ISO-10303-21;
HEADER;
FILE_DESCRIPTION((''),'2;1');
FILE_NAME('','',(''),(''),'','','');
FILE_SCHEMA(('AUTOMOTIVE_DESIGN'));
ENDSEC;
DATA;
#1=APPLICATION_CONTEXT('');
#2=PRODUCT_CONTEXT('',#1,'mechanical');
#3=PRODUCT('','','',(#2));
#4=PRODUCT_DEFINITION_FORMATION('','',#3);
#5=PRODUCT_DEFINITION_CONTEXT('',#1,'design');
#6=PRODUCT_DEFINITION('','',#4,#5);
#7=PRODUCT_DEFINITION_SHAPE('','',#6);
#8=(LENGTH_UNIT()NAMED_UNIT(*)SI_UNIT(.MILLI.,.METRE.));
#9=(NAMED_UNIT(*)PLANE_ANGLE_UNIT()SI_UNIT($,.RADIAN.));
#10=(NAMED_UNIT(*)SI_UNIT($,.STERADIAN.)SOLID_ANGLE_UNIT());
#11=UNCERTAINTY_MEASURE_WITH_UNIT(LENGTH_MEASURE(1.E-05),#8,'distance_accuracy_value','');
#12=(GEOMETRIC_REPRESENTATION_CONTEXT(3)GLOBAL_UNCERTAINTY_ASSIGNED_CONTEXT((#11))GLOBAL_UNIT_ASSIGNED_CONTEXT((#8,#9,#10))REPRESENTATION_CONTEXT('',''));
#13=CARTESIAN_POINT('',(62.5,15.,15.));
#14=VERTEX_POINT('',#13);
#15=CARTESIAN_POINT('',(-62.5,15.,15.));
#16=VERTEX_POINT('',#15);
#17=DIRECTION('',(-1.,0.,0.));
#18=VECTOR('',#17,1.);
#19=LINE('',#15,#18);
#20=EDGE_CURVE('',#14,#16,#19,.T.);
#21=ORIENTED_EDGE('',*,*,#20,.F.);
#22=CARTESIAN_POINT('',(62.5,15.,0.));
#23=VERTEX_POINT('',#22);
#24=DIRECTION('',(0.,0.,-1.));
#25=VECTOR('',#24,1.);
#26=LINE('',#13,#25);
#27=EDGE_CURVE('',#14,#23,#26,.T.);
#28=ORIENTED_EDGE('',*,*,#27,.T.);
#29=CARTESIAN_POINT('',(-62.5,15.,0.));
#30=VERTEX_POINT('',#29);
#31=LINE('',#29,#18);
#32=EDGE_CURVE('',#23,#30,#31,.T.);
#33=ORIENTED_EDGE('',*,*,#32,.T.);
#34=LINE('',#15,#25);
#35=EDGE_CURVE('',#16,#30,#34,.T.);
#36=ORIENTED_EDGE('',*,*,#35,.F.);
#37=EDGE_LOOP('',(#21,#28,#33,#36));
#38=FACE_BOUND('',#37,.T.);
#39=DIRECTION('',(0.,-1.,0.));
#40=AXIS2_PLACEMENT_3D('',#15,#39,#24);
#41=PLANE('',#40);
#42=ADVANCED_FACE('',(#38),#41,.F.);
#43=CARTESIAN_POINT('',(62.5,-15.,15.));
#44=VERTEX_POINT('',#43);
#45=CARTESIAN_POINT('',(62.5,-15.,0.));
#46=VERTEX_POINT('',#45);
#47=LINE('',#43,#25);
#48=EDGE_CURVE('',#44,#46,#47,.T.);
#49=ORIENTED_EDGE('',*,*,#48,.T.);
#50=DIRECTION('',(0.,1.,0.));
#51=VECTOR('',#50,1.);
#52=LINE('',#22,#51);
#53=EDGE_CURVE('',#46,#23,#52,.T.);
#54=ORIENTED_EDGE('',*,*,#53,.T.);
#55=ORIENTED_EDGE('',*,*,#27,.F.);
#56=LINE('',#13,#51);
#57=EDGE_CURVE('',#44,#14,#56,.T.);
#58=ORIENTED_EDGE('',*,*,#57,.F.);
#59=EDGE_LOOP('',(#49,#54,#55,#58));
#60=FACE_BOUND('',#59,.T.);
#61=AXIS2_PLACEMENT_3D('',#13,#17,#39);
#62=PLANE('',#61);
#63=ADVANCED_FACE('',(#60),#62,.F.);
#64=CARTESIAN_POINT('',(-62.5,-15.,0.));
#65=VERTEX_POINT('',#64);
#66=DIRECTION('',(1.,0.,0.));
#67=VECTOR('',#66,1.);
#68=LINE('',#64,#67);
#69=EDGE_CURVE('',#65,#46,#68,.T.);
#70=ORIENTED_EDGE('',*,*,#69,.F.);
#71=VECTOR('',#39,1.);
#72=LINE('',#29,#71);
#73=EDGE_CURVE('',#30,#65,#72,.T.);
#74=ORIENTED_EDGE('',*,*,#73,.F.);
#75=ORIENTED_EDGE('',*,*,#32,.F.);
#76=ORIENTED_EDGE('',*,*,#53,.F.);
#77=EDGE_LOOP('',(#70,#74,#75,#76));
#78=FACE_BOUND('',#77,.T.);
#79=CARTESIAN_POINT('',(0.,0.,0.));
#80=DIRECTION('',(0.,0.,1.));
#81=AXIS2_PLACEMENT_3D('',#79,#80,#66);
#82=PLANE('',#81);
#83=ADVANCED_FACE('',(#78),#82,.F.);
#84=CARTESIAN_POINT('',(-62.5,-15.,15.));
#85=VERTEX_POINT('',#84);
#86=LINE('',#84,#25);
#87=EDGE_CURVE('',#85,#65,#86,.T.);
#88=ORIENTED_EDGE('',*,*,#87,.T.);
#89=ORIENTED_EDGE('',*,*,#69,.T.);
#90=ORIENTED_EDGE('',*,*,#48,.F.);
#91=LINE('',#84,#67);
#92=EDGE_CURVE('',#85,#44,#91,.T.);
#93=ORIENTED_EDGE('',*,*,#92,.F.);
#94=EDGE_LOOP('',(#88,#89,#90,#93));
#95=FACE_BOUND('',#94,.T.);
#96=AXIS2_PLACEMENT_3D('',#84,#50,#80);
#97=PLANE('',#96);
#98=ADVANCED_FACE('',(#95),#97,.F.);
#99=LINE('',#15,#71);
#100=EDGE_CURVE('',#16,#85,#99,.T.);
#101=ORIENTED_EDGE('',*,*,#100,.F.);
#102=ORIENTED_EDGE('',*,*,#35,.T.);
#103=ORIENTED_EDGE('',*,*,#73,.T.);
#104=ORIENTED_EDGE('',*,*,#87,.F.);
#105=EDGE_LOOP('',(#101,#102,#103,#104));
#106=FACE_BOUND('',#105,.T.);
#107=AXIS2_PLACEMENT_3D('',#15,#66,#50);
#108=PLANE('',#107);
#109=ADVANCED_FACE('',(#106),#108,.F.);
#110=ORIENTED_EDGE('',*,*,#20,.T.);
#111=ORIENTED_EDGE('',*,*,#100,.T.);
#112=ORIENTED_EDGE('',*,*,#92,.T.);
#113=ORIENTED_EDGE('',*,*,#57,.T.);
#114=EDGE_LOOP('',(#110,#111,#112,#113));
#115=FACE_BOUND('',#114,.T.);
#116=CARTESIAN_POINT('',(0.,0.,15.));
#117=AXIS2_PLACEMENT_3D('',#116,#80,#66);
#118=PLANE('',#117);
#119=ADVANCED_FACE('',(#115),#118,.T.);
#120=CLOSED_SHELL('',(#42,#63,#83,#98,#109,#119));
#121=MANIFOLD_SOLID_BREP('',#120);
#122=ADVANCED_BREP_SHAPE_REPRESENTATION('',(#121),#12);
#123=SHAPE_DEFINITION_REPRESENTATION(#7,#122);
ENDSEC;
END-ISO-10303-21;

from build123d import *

# Parameters (mm, degrees)
ESBO_O1_W                = 125
ESBO_O1_H                = 30
RESSALTO_EXTRUS_O1_DEPTH = 15


with BuildPart() as part:
    # Esboço1 → Ressalto-extrusão1 (new body)
    with BuildSketch(Plane.XY):
        Rectangle(ESBO_O1_W, ESBO_O1_H)
    extrude(amount=RESSALTO_EXTRUS_O1_DEPTH)


solid = part.part
